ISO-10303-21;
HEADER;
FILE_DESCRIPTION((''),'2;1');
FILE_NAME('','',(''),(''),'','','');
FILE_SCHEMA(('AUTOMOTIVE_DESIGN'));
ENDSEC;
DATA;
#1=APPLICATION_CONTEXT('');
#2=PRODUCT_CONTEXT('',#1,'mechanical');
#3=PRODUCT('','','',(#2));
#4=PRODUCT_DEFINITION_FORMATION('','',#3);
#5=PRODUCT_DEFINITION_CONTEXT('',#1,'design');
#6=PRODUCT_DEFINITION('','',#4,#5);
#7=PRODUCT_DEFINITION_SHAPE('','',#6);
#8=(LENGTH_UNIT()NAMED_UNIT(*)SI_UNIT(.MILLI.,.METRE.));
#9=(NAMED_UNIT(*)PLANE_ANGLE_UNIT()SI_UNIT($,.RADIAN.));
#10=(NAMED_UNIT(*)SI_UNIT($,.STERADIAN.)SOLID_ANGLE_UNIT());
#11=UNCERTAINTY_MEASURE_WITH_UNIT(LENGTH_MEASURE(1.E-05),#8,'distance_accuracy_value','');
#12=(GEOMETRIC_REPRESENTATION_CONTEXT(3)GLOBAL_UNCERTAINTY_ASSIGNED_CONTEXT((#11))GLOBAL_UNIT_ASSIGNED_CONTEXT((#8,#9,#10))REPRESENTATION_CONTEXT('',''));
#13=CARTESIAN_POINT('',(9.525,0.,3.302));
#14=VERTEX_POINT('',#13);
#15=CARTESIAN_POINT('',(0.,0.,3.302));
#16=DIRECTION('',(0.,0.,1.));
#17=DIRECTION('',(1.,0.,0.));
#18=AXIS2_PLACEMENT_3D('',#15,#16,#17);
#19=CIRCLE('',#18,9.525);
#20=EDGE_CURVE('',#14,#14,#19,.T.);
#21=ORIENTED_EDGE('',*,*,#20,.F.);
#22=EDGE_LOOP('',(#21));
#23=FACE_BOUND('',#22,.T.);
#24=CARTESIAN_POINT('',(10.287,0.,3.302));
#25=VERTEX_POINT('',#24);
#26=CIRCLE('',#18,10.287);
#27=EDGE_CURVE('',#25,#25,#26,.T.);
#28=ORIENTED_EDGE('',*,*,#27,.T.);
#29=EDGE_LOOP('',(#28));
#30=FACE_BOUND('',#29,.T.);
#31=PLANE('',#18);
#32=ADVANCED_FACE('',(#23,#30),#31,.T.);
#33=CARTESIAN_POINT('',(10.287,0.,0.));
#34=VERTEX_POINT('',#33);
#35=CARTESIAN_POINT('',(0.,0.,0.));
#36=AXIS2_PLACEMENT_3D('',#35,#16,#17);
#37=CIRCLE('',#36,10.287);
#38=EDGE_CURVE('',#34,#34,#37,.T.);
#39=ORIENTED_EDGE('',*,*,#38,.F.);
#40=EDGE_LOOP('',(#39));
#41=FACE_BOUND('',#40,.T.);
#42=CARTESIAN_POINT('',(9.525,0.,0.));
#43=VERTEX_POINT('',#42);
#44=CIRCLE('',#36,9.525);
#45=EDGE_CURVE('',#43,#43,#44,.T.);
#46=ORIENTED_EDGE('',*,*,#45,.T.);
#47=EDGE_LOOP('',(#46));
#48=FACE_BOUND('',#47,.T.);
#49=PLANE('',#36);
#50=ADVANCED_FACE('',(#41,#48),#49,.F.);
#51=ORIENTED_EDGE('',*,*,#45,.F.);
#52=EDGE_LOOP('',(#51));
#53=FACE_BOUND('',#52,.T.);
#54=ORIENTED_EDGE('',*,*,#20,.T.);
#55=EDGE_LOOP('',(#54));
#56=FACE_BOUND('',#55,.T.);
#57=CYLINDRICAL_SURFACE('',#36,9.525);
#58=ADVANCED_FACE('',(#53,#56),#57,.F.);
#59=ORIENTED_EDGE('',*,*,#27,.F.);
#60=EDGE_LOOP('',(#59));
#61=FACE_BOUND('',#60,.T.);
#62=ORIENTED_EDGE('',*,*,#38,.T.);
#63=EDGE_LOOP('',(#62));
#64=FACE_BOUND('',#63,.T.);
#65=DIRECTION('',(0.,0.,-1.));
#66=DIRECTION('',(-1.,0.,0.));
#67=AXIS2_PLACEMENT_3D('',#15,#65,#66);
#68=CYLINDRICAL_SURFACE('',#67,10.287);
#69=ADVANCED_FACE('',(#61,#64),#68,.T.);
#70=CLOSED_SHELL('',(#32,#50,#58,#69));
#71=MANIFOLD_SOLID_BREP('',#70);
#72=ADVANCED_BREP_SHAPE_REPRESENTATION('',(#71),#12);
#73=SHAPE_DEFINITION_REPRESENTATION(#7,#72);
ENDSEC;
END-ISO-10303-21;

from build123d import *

# Parameters (mm, degrees)
SKETCH4_R           = 10.287
BOSS_EXTRUDE3_DEPTH = 3.302
SKETCH5_R           = 9.525
CUT_EXTRUDE2_DEPTH  = 4.302


with BuildPart() as part:
    # Sketch4 → Boss-Extrude3 (new body)
    with BuildSketch(Plane.XY):
        Circle(SKETCH4_R)
    extrude(amount=BOSS_EXTRUDE3_DEPTH)

    # Sketch5 → Cut-Extrude2 (cut, through all)
    with BuildSketch(Plane.XY.offset(3.302)):
        Circle(SKETCH5_R)
    extrude(amount=-CUT_EXTRUDE2_DEPTH, mode=Mode.SUBTRACT)


solid = part.part
